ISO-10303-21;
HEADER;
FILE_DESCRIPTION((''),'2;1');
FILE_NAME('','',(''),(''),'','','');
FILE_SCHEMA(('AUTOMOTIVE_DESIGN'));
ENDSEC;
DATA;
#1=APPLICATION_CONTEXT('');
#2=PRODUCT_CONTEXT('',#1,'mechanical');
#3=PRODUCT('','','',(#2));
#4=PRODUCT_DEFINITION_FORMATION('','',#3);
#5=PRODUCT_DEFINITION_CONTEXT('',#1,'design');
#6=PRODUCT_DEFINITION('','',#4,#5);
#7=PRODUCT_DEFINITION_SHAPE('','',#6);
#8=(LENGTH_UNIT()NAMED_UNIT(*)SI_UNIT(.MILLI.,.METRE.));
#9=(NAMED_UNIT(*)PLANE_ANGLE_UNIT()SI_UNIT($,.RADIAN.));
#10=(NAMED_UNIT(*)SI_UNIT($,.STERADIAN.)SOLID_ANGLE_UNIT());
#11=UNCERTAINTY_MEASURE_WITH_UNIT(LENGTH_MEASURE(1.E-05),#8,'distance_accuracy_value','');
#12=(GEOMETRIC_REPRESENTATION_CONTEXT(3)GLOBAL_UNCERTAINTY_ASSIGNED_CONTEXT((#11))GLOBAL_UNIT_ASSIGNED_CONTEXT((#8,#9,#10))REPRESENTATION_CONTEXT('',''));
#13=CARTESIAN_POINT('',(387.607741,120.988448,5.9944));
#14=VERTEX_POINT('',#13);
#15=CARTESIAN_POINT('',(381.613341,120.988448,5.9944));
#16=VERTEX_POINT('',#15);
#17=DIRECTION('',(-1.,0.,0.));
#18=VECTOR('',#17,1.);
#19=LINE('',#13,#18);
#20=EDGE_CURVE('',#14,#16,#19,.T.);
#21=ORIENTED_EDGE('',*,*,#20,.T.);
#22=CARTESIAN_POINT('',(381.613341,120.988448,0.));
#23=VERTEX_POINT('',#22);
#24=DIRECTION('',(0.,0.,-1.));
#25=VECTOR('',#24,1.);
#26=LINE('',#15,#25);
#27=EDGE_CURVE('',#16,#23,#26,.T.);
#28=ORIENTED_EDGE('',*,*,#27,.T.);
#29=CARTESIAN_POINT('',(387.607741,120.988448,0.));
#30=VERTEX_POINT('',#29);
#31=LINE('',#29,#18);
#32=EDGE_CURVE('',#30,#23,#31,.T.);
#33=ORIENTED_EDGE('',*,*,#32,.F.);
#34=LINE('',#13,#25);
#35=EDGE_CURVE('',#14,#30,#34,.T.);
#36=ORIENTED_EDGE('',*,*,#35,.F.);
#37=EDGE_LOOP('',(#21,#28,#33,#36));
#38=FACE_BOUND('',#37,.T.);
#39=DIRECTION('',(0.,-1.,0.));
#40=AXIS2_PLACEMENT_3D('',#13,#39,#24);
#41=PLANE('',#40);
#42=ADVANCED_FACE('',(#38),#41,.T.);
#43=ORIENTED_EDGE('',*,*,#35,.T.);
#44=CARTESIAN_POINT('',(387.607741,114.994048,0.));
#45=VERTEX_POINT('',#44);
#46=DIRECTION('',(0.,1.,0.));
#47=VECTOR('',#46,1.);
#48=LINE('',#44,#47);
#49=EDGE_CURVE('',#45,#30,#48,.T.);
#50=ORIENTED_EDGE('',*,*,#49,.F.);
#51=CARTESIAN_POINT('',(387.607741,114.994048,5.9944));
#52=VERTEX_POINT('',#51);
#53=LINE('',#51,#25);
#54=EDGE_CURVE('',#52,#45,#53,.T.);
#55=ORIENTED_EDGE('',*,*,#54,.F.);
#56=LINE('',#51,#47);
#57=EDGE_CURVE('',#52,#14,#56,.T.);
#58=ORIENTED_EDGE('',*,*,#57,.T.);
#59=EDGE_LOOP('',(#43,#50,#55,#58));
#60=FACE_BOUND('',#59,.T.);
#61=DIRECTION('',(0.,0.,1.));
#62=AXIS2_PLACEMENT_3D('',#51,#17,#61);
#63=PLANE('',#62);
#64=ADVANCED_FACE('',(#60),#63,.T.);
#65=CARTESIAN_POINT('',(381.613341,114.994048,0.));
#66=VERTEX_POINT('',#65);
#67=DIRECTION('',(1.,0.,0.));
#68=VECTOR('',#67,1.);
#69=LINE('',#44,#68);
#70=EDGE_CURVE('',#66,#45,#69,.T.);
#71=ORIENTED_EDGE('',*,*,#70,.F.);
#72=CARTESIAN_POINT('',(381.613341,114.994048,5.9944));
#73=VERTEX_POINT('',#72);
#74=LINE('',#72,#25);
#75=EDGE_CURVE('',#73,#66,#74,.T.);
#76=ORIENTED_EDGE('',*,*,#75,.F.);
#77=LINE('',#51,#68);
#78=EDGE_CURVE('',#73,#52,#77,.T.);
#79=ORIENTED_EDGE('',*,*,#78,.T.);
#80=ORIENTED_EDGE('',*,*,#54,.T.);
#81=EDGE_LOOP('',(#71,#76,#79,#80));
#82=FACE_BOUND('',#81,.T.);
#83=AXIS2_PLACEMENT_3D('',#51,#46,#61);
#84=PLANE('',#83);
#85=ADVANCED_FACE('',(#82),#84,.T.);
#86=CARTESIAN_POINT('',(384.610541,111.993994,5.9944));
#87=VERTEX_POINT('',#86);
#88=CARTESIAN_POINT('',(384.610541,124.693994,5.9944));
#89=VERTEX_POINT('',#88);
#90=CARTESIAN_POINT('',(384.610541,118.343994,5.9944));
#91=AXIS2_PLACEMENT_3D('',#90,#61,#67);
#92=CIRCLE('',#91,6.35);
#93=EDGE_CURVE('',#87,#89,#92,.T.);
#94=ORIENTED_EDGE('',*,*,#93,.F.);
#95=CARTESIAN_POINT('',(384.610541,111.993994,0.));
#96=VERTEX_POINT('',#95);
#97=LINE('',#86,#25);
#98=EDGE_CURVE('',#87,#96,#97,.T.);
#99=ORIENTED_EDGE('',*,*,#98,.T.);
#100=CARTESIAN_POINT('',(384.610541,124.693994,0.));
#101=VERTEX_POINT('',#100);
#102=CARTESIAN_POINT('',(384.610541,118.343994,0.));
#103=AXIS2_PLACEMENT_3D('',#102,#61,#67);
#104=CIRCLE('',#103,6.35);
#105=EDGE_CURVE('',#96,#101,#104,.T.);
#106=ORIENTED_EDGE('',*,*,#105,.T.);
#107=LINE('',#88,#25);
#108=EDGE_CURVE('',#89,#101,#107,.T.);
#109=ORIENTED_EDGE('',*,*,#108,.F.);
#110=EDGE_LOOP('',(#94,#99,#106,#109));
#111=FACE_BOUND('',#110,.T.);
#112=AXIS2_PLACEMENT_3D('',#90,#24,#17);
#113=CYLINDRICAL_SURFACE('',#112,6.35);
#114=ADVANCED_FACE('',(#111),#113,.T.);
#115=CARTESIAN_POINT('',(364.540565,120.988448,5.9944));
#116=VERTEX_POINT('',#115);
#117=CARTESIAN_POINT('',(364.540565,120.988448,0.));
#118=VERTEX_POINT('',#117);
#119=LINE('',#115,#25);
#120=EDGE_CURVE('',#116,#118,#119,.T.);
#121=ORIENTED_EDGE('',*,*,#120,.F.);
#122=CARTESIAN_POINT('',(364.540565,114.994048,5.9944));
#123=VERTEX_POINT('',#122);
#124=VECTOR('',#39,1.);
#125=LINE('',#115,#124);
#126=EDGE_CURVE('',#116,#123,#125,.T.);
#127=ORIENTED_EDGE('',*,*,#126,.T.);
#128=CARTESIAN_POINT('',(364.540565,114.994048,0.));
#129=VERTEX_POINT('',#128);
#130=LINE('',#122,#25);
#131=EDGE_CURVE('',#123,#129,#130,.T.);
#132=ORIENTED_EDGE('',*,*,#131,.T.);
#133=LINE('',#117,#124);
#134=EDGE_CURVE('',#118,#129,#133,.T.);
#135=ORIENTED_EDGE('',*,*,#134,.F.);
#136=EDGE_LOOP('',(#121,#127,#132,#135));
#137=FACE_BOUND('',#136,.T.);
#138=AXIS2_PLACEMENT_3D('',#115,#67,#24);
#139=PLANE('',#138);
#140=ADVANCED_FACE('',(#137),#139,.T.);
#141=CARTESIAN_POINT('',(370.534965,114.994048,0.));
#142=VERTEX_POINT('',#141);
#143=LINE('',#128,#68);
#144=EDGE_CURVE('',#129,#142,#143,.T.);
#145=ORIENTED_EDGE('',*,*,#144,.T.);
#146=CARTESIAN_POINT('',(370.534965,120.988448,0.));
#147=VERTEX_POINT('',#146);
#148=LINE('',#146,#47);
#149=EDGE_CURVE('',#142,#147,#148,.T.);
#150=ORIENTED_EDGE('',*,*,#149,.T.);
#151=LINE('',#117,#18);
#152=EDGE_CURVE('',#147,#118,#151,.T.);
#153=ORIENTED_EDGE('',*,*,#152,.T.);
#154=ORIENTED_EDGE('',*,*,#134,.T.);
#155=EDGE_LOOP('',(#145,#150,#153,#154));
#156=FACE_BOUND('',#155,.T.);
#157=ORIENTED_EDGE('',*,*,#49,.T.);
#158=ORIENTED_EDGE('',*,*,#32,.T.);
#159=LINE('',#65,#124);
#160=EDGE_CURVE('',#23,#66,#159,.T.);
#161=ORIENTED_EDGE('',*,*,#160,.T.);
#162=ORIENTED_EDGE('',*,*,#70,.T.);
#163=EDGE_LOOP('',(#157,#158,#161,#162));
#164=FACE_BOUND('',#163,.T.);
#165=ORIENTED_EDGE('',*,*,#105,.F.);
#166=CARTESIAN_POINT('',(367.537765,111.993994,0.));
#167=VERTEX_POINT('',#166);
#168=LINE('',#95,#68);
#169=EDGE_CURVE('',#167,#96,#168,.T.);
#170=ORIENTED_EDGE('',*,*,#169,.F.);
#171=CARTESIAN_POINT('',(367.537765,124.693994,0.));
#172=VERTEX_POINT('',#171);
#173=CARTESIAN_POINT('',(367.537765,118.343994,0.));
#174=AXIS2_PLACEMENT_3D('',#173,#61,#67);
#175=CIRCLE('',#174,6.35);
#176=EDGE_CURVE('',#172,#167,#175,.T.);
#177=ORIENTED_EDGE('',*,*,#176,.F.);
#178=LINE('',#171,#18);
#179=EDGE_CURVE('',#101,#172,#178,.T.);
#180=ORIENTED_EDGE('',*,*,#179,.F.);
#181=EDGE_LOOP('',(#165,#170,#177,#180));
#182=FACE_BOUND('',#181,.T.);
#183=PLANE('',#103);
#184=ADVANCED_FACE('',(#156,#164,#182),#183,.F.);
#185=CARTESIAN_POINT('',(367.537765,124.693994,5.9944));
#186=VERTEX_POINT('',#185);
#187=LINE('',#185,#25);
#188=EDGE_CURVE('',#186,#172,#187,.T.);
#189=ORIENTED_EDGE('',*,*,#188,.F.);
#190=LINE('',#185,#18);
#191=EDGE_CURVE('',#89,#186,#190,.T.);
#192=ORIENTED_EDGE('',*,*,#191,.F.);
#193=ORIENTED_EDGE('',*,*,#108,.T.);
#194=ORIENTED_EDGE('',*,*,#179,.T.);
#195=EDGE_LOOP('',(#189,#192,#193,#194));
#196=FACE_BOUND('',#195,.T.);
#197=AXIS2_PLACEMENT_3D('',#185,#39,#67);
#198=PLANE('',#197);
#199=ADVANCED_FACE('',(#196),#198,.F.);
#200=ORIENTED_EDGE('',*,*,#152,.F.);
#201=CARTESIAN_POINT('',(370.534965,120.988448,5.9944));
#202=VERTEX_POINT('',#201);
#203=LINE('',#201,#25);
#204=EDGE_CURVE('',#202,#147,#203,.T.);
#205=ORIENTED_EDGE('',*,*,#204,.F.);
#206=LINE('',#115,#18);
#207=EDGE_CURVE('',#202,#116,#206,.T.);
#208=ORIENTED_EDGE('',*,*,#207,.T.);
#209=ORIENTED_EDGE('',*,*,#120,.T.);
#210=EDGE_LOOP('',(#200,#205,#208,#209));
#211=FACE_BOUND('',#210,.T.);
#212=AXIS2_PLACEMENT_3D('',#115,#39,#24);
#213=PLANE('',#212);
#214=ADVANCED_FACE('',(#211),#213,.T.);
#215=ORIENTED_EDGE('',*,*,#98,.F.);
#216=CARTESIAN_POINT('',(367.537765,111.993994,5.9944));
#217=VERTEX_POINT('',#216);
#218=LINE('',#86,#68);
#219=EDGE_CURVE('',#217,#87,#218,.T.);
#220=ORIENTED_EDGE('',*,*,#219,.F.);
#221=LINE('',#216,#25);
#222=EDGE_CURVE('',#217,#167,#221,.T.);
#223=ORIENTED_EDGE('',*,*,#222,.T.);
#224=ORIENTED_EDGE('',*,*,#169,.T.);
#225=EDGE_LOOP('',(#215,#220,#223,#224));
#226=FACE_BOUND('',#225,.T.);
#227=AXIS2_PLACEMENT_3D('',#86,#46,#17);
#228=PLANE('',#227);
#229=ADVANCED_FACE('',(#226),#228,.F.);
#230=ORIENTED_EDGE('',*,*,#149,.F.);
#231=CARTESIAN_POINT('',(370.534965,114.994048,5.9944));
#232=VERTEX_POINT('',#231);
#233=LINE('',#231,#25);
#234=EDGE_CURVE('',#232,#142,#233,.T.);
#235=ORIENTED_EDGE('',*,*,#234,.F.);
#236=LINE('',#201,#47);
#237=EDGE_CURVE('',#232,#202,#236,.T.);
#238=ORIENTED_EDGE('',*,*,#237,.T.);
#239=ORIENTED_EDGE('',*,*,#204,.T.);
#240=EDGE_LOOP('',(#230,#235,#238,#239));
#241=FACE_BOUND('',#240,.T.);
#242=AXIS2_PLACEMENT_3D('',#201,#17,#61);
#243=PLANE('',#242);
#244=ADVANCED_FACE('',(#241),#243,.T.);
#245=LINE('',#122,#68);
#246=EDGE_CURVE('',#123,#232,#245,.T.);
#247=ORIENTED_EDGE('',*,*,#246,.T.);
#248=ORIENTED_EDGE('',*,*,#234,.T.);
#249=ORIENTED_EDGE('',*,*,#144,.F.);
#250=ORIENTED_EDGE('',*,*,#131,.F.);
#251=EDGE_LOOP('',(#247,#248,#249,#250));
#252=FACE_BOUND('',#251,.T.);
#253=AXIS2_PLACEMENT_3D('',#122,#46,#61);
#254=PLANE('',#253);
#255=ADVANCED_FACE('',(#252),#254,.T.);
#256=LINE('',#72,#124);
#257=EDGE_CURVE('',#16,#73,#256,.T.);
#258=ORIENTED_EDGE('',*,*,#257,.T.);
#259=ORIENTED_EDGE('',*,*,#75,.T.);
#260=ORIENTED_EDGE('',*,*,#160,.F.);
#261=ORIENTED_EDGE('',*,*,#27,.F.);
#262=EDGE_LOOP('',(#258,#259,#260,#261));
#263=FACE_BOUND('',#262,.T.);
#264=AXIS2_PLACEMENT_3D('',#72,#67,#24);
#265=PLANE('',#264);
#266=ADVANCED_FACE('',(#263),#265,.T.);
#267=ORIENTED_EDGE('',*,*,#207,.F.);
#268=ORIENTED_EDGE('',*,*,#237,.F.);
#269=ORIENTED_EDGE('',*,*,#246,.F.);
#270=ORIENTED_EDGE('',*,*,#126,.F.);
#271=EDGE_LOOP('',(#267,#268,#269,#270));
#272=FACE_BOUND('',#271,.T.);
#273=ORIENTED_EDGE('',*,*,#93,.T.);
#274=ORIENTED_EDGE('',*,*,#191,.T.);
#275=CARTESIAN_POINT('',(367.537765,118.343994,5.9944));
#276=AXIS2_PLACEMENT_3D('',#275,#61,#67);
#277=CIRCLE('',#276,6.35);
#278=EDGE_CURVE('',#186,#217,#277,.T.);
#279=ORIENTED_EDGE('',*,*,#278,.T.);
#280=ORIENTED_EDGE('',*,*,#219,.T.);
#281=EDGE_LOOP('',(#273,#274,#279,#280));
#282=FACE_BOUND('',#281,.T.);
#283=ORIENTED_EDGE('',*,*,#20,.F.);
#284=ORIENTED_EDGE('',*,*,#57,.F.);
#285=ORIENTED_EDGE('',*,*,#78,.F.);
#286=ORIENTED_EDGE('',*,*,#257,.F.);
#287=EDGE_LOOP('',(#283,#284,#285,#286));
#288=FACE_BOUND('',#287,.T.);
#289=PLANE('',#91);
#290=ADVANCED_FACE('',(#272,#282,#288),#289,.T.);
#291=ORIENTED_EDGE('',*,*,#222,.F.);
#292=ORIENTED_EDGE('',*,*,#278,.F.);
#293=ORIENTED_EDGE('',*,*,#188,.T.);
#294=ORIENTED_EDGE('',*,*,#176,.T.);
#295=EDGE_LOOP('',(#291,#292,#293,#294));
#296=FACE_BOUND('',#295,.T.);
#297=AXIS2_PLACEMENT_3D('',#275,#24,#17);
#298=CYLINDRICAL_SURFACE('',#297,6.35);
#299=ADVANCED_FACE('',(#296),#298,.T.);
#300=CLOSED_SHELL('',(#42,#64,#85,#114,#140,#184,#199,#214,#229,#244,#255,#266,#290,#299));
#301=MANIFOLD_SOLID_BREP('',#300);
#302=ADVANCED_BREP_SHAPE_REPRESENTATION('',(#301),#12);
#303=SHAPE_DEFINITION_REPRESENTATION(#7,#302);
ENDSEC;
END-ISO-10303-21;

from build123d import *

# Parameters (mm, degrees)
SKETCH1_W           = 5.9944
SKETCH1_H           = 5.9944
BOSS_EXTRUDE1_DEPTH = 5.9944


with BuildPart() as part:
    # Sketch1 → Boss-Extrude1 (new body)
    with BuildSketch(Plane.XY):
        with BuildLine():
            Line((384.610540851, 111.993994152), (367.537765391, 111.993994152))
            ThreePointArc((367.537765391, 111.993994152), (361.187765391, 118.343994152), (367.537765391, 124.693994152))
            Line((367.537765391, 124.693994152), (384.610540851, 124.693994152))
            ThreePointArc((384.610540851, 124.693994152), (390.960540851, 118.343994152), (384.610540851, 111.993994152))
        make_face()
        with Locations((384.610540851, 117.991248441)):
            Rectangle(SKETCH1_W, SKETCH1_H, mode=Mode.SUBTRACT)
        with Locations((367.537765391, 117.991248441)):
            Rectangle(SKETCH1_W, SKETCH1_H, mode=Mode.SUBTRACT)
    extrude(amount=BOSS_EXTRUDE1_DEPTH)


solid = part.part
